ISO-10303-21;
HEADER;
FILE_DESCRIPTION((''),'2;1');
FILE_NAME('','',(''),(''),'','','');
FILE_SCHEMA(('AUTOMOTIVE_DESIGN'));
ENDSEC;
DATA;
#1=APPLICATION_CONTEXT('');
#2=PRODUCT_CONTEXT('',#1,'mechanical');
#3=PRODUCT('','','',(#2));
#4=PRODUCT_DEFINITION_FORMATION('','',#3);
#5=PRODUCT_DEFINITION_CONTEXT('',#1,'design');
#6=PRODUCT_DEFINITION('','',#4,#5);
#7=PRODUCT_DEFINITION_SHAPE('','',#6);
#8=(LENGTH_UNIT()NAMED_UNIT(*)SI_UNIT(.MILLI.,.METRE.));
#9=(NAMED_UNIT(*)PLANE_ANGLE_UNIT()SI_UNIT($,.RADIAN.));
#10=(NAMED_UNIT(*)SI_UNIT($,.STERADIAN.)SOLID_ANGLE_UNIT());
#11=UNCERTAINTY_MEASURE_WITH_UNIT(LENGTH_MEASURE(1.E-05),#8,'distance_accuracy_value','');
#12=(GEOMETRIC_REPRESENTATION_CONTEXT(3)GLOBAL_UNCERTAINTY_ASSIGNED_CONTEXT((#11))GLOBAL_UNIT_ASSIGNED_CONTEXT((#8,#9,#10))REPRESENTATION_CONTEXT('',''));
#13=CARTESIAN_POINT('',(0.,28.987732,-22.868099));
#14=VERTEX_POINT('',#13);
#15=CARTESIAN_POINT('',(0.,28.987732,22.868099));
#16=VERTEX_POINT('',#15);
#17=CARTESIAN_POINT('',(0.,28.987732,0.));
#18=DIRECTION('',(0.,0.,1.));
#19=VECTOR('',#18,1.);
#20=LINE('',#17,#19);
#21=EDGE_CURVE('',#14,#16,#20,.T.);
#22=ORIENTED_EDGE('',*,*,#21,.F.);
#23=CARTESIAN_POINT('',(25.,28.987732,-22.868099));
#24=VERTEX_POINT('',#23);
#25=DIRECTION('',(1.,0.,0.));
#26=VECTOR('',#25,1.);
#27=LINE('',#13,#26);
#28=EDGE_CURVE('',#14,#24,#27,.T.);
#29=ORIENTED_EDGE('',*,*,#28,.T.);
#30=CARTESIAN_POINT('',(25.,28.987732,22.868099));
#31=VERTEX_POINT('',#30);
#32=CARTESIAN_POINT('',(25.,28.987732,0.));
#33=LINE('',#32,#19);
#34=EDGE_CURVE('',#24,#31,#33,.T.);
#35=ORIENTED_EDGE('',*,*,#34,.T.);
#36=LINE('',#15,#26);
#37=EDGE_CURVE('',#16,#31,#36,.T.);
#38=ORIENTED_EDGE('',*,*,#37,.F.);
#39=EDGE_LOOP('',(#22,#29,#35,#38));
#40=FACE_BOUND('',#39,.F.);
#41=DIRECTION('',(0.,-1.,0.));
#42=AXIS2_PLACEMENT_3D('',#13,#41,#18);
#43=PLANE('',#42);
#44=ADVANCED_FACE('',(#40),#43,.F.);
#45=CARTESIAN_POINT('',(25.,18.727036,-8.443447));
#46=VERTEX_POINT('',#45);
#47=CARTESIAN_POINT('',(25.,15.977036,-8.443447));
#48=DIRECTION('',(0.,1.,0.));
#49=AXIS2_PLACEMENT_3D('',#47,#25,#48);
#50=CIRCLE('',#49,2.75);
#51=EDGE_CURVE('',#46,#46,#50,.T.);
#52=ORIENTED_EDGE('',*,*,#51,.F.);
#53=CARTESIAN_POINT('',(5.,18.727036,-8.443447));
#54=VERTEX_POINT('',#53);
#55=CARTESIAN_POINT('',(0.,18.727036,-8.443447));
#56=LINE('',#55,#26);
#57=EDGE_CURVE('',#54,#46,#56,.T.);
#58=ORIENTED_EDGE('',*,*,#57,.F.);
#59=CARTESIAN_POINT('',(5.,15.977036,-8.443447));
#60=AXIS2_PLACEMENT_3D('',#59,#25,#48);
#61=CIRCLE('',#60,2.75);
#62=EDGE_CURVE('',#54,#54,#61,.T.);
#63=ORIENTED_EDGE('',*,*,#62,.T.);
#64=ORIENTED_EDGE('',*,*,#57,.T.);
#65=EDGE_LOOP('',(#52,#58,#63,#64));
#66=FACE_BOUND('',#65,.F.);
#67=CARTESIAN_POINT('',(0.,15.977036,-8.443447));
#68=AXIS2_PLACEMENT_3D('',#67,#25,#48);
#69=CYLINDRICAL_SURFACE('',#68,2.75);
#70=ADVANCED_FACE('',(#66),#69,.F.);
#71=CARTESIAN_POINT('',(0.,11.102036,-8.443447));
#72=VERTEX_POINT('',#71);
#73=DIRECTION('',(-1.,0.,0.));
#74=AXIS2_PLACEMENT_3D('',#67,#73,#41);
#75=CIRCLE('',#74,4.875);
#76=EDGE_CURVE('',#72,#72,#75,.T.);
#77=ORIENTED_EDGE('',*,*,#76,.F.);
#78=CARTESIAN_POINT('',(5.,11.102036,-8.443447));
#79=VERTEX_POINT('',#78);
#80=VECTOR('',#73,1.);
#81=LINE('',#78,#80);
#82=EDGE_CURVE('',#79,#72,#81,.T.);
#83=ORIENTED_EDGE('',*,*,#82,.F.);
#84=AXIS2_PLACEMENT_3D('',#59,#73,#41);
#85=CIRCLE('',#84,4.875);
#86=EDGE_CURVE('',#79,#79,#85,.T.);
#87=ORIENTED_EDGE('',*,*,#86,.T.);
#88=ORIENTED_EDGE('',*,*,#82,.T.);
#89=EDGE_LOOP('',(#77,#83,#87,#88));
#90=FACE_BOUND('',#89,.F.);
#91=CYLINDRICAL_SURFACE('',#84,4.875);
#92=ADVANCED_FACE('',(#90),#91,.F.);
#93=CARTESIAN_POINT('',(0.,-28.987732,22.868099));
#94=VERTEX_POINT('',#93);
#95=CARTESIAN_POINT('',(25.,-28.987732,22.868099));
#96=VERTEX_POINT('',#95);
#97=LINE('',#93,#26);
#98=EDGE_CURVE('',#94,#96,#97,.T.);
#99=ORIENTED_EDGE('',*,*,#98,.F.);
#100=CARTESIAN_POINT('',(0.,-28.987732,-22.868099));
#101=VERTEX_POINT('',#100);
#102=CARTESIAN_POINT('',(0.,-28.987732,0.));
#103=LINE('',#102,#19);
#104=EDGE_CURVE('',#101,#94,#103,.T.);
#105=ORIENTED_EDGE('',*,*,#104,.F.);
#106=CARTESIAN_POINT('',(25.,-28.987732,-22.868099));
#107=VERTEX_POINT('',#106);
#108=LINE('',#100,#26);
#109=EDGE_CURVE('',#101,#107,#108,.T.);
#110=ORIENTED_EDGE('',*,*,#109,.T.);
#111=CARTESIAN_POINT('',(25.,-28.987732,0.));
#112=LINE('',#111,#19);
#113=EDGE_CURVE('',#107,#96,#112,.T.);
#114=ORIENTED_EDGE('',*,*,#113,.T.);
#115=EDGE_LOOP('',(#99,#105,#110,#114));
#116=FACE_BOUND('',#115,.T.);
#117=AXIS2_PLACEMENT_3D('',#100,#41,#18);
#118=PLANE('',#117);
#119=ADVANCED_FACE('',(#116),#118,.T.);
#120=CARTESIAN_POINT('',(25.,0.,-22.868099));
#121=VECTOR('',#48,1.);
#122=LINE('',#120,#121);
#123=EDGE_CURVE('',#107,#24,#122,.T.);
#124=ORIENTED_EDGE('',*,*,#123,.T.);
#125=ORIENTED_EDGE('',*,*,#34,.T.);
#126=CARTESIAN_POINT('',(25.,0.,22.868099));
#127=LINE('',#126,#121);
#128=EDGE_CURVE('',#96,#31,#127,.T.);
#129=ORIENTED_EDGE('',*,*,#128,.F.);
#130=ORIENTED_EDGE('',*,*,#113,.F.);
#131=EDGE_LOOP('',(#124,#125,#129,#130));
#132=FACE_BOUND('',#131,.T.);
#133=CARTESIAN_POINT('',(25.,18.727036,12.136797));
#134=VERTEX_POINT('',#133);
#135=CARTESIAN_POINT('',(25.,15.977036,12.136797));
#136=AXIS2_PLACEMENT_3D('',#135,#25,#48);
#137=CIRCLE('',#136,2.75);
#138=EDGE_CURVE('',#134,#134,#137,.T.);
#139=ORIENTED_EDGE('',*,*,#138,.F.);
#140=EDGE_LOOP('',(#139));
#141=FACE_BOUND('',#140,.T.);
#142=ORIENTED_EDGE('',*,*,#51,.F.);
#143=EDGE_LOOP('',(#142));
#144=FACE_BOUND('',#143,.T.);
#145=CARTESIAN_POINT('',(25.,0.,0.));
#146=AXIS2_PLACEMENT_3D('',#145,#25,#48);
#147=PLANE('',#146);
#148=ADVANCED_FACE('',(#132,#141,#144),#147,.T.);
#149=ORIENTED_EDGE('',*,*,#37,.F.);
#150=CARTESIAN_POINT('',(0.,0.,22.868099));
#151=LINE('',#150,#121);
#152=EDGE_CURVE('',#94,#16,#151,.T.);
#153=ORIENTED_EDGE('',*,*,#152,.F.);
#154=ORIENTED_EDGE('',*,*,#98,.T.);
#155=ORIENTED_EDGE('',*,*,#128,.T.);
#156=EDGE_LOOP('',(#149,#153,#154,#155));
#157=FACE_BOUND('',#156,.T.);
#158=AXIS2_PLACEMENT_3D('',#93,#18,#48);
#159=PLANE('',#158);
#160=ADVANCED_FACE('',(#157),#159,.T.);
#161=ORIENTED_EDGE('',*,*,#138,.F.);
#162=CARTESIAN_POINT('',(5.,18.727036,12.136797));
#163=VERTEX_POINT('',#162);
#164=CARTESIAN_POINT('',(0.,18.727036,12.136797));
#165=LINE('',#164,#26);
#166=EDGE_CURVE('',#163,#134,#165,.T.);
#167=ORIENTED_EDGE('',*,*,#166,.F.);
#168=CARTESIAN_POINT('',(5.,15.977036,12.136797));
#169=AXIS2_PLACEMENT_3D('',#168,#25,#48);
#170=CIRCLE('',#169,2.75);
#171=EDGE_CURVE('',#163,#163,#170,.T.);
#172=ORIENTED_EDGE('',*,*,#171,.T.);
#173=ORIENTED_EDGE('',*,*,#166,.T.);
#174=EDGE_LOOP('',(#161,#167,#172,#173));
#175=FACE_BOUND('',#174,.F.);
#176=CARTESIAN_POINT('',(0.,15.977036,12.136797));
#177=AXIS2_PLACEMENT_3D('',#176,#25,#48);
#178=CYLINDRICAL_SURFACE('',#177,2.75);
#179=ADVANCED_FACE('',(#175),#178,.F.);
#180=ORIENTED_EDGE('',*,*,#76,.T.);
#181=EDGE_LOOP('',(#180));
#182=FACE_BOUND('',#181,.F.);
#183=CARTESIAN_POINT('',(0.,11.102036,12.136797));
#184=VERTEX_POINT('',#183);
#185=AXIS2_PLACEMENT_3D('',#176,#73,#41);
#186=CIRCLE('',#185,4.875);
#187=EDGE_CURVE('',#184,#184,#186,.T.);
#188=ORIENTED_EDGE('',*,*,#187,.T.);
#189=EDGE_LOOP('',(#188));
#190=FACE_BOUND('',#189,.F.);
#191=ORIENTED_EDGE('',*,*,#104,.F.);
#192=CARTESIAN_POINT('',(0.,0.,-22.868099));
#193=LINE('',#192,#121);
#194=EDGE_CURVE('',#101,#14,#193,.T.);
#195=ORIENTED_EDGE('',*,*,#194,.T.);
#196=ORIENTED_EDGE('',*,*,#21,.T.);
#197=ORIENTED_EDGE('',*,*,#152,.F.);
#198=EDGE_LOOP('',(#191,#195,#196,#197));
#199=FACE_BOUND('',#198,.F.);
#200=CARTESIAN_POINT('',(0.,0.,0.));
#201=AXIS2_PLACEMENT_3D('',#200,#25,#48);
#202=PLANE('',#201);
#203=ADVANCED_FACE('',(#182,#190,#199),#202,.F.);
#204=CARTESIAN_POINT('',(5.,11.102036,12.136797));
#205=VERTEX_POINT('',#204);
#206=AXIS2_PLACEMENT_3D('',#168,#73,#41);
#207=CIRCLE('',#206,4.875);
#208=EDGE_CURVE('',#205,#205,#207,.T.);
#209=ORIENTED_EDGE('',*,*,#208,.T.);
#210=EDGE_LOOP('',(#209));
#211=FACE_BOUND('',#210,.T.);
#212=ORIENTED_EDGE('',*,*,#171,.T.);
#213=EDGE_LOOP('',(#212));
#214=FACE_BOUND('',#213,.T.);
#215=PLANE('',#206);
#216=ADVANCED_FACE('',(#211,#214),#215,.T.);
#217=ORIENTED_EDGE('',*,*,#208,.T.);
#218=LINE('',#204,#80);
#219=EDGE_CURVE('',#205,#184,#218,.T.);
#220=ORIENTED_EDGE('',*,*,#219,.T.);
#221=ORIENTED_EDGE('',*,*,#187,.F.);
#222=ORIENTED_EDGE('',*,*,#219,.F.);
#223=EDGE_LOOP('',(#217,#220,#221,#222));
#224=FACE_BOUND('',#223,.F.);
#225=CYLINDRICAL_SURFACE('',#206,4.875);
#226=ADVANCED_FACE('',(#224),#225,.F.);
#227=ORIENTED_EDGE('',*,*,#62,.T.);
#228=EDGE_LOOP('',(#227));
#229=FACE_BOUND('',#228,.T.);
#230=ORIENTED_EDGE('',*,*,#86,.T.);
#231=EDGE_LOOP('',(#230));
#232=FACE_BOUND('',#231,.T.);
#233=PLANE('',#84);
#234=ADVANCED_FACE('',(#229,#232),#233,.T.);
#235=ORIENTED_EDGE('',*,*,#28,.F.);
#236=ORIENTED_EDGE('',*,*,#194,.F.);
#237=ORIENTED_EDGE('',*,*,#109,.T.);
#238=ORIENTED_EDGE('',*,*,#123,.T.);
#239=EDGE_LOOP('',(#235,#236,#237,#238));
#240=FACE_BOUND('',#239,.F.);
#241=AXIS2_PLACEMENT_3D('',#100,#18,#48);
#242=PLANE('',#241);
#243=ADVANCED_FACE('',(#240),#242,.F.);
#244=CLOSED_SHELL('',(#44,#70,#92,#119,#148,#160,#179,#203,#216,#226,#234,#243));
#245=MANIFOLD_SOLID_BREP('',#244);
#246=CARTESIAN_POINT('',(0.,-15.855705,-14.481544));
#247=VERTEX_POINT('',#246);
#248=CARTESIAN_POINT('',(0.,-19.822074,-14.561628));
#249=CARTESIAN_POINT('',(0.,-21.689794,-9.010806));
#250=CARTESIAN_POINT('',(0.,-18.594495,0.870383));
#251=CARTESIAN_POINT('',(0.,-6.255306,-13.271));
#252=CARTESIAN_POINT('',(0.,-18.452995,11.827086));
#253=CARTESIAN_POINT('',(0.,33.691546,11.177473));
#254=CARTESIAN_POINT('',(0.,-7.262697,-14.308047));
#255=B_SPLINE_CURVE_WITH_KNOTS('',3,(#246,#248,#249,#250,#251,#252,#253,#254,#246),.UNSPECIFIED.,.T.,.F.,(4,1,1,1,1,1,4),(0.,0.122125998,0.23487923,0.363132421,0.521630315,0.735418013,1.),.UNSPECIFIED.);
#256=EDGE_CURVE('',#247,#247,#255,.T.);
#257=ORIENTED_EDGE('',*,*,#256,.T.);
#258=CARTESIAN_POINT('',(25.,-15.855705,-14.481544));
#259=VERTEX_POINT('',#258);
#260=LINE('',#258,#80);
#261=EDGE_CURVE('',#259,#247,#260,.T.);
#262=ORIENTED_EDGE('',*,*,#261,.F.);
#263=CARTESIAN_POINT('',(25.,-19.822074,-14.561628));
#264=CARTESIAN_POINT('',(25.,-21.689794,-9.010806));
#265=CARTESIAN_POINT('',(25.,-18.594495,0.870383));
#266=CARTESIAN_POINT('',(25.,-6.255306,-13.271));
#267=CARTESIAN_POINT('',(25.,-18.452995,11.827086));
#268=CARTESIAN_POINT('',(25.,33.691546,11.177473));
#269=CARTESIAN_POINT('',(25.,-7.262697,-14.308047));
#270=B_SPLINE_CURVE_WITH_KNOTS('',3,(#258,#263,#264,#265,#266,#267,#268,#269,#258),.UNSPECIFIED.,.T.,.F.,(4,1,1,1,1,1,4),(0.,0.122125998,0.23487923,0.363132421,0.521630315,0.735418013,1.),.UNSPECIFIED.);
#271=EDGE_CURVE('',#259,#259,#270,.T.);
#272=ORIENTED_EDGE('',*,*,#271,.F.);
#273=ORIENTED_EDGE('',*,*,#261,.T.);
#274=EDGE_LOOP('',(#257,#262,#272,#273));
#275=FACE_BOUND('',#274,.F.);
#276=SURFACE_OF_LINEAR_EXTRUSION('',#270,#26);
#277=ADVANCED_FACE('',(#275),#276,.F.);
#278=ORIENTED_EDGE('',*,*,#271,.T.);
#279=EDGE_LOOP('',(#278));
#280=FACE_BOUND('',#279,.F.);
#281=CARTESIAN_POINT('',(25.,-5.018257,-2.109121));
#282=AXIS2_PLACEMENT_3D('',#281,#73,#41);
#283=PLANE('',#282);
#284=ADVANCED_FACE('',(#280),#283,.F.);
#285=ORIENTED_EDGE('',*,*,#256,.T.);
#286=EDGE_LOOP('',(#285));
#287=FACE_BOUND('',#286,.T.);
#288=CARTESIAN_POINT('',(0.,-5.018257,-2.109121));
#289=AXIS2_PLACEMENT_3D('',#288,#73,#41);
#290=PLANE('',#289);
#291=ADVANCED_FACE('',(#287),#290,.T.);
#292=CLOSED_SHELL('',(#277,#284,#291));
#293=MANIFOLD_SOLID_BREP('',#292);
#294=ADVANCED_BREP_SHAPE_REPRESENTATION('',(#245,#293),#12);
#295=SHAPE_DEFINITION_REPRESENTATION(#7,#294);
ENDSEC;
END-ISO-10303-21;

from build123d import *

# Parameters (mm, degrees)
F0_W           = 57.9754635692
F0_H           = 45.7361973822
F1_DEPTH       = 25
F3_D           = 5.5
F3_CBORE_D     = 9.75
F3_CBORE_DEPTH = 5
F5_DEPTH       = 25


with BuildPart() as f1:
    # F0 (on Right) → F1 (new body)
    with BuildSketch(Plane.YZ):
        Rectangle(F0_W, F0_H)
    extrude(amount=F1_DEPTH)

    # F3 (through all)
    with Locations(Plane(origin=(0, 0, 0), x_dir=(0, -1, 0), z_dir=(-1, 0, 0))):
        with Locations((-15.9770362079, 12.1367974207), (-15.9770362079, -8.4434468299)):
            CounterBoreHole(F3_D / 2, F3_CBORE_D / 2, F3_CBORE_DEPTH)


with BuildPart() as f5:
    # F4 (on face) → F5 (new body, through all)
    with BuildSketch(Plane.YZ.offset(25)):
        with BuildLine():
            add(Edge.make_bspline(
                [(-15.8557053655, -14.4815444946), (-19.8220740843, -14.5616277486), (-21.6897943039, -9.0108058465), (-18.5944949913, 0.8703826041), (-6.2553063156, -13.270999999), (-18.4529947512, 11.8270859646), (33.6915456836, 11.1774729794), (-7.2626970023, -14.3080467388), (-15.8557053655, -14.4815444946)],
                knots=[0, 0, 0, 0, 0.1221259976, 0.2348792299, 0.3631324209, 0.5216303154, 0.7354180126, 1, 1, 1, 1], degree=3))
        make_face()
    extrude(amount=-F5_DEPTH)


solid = Compound([f1.part, f5.part])
